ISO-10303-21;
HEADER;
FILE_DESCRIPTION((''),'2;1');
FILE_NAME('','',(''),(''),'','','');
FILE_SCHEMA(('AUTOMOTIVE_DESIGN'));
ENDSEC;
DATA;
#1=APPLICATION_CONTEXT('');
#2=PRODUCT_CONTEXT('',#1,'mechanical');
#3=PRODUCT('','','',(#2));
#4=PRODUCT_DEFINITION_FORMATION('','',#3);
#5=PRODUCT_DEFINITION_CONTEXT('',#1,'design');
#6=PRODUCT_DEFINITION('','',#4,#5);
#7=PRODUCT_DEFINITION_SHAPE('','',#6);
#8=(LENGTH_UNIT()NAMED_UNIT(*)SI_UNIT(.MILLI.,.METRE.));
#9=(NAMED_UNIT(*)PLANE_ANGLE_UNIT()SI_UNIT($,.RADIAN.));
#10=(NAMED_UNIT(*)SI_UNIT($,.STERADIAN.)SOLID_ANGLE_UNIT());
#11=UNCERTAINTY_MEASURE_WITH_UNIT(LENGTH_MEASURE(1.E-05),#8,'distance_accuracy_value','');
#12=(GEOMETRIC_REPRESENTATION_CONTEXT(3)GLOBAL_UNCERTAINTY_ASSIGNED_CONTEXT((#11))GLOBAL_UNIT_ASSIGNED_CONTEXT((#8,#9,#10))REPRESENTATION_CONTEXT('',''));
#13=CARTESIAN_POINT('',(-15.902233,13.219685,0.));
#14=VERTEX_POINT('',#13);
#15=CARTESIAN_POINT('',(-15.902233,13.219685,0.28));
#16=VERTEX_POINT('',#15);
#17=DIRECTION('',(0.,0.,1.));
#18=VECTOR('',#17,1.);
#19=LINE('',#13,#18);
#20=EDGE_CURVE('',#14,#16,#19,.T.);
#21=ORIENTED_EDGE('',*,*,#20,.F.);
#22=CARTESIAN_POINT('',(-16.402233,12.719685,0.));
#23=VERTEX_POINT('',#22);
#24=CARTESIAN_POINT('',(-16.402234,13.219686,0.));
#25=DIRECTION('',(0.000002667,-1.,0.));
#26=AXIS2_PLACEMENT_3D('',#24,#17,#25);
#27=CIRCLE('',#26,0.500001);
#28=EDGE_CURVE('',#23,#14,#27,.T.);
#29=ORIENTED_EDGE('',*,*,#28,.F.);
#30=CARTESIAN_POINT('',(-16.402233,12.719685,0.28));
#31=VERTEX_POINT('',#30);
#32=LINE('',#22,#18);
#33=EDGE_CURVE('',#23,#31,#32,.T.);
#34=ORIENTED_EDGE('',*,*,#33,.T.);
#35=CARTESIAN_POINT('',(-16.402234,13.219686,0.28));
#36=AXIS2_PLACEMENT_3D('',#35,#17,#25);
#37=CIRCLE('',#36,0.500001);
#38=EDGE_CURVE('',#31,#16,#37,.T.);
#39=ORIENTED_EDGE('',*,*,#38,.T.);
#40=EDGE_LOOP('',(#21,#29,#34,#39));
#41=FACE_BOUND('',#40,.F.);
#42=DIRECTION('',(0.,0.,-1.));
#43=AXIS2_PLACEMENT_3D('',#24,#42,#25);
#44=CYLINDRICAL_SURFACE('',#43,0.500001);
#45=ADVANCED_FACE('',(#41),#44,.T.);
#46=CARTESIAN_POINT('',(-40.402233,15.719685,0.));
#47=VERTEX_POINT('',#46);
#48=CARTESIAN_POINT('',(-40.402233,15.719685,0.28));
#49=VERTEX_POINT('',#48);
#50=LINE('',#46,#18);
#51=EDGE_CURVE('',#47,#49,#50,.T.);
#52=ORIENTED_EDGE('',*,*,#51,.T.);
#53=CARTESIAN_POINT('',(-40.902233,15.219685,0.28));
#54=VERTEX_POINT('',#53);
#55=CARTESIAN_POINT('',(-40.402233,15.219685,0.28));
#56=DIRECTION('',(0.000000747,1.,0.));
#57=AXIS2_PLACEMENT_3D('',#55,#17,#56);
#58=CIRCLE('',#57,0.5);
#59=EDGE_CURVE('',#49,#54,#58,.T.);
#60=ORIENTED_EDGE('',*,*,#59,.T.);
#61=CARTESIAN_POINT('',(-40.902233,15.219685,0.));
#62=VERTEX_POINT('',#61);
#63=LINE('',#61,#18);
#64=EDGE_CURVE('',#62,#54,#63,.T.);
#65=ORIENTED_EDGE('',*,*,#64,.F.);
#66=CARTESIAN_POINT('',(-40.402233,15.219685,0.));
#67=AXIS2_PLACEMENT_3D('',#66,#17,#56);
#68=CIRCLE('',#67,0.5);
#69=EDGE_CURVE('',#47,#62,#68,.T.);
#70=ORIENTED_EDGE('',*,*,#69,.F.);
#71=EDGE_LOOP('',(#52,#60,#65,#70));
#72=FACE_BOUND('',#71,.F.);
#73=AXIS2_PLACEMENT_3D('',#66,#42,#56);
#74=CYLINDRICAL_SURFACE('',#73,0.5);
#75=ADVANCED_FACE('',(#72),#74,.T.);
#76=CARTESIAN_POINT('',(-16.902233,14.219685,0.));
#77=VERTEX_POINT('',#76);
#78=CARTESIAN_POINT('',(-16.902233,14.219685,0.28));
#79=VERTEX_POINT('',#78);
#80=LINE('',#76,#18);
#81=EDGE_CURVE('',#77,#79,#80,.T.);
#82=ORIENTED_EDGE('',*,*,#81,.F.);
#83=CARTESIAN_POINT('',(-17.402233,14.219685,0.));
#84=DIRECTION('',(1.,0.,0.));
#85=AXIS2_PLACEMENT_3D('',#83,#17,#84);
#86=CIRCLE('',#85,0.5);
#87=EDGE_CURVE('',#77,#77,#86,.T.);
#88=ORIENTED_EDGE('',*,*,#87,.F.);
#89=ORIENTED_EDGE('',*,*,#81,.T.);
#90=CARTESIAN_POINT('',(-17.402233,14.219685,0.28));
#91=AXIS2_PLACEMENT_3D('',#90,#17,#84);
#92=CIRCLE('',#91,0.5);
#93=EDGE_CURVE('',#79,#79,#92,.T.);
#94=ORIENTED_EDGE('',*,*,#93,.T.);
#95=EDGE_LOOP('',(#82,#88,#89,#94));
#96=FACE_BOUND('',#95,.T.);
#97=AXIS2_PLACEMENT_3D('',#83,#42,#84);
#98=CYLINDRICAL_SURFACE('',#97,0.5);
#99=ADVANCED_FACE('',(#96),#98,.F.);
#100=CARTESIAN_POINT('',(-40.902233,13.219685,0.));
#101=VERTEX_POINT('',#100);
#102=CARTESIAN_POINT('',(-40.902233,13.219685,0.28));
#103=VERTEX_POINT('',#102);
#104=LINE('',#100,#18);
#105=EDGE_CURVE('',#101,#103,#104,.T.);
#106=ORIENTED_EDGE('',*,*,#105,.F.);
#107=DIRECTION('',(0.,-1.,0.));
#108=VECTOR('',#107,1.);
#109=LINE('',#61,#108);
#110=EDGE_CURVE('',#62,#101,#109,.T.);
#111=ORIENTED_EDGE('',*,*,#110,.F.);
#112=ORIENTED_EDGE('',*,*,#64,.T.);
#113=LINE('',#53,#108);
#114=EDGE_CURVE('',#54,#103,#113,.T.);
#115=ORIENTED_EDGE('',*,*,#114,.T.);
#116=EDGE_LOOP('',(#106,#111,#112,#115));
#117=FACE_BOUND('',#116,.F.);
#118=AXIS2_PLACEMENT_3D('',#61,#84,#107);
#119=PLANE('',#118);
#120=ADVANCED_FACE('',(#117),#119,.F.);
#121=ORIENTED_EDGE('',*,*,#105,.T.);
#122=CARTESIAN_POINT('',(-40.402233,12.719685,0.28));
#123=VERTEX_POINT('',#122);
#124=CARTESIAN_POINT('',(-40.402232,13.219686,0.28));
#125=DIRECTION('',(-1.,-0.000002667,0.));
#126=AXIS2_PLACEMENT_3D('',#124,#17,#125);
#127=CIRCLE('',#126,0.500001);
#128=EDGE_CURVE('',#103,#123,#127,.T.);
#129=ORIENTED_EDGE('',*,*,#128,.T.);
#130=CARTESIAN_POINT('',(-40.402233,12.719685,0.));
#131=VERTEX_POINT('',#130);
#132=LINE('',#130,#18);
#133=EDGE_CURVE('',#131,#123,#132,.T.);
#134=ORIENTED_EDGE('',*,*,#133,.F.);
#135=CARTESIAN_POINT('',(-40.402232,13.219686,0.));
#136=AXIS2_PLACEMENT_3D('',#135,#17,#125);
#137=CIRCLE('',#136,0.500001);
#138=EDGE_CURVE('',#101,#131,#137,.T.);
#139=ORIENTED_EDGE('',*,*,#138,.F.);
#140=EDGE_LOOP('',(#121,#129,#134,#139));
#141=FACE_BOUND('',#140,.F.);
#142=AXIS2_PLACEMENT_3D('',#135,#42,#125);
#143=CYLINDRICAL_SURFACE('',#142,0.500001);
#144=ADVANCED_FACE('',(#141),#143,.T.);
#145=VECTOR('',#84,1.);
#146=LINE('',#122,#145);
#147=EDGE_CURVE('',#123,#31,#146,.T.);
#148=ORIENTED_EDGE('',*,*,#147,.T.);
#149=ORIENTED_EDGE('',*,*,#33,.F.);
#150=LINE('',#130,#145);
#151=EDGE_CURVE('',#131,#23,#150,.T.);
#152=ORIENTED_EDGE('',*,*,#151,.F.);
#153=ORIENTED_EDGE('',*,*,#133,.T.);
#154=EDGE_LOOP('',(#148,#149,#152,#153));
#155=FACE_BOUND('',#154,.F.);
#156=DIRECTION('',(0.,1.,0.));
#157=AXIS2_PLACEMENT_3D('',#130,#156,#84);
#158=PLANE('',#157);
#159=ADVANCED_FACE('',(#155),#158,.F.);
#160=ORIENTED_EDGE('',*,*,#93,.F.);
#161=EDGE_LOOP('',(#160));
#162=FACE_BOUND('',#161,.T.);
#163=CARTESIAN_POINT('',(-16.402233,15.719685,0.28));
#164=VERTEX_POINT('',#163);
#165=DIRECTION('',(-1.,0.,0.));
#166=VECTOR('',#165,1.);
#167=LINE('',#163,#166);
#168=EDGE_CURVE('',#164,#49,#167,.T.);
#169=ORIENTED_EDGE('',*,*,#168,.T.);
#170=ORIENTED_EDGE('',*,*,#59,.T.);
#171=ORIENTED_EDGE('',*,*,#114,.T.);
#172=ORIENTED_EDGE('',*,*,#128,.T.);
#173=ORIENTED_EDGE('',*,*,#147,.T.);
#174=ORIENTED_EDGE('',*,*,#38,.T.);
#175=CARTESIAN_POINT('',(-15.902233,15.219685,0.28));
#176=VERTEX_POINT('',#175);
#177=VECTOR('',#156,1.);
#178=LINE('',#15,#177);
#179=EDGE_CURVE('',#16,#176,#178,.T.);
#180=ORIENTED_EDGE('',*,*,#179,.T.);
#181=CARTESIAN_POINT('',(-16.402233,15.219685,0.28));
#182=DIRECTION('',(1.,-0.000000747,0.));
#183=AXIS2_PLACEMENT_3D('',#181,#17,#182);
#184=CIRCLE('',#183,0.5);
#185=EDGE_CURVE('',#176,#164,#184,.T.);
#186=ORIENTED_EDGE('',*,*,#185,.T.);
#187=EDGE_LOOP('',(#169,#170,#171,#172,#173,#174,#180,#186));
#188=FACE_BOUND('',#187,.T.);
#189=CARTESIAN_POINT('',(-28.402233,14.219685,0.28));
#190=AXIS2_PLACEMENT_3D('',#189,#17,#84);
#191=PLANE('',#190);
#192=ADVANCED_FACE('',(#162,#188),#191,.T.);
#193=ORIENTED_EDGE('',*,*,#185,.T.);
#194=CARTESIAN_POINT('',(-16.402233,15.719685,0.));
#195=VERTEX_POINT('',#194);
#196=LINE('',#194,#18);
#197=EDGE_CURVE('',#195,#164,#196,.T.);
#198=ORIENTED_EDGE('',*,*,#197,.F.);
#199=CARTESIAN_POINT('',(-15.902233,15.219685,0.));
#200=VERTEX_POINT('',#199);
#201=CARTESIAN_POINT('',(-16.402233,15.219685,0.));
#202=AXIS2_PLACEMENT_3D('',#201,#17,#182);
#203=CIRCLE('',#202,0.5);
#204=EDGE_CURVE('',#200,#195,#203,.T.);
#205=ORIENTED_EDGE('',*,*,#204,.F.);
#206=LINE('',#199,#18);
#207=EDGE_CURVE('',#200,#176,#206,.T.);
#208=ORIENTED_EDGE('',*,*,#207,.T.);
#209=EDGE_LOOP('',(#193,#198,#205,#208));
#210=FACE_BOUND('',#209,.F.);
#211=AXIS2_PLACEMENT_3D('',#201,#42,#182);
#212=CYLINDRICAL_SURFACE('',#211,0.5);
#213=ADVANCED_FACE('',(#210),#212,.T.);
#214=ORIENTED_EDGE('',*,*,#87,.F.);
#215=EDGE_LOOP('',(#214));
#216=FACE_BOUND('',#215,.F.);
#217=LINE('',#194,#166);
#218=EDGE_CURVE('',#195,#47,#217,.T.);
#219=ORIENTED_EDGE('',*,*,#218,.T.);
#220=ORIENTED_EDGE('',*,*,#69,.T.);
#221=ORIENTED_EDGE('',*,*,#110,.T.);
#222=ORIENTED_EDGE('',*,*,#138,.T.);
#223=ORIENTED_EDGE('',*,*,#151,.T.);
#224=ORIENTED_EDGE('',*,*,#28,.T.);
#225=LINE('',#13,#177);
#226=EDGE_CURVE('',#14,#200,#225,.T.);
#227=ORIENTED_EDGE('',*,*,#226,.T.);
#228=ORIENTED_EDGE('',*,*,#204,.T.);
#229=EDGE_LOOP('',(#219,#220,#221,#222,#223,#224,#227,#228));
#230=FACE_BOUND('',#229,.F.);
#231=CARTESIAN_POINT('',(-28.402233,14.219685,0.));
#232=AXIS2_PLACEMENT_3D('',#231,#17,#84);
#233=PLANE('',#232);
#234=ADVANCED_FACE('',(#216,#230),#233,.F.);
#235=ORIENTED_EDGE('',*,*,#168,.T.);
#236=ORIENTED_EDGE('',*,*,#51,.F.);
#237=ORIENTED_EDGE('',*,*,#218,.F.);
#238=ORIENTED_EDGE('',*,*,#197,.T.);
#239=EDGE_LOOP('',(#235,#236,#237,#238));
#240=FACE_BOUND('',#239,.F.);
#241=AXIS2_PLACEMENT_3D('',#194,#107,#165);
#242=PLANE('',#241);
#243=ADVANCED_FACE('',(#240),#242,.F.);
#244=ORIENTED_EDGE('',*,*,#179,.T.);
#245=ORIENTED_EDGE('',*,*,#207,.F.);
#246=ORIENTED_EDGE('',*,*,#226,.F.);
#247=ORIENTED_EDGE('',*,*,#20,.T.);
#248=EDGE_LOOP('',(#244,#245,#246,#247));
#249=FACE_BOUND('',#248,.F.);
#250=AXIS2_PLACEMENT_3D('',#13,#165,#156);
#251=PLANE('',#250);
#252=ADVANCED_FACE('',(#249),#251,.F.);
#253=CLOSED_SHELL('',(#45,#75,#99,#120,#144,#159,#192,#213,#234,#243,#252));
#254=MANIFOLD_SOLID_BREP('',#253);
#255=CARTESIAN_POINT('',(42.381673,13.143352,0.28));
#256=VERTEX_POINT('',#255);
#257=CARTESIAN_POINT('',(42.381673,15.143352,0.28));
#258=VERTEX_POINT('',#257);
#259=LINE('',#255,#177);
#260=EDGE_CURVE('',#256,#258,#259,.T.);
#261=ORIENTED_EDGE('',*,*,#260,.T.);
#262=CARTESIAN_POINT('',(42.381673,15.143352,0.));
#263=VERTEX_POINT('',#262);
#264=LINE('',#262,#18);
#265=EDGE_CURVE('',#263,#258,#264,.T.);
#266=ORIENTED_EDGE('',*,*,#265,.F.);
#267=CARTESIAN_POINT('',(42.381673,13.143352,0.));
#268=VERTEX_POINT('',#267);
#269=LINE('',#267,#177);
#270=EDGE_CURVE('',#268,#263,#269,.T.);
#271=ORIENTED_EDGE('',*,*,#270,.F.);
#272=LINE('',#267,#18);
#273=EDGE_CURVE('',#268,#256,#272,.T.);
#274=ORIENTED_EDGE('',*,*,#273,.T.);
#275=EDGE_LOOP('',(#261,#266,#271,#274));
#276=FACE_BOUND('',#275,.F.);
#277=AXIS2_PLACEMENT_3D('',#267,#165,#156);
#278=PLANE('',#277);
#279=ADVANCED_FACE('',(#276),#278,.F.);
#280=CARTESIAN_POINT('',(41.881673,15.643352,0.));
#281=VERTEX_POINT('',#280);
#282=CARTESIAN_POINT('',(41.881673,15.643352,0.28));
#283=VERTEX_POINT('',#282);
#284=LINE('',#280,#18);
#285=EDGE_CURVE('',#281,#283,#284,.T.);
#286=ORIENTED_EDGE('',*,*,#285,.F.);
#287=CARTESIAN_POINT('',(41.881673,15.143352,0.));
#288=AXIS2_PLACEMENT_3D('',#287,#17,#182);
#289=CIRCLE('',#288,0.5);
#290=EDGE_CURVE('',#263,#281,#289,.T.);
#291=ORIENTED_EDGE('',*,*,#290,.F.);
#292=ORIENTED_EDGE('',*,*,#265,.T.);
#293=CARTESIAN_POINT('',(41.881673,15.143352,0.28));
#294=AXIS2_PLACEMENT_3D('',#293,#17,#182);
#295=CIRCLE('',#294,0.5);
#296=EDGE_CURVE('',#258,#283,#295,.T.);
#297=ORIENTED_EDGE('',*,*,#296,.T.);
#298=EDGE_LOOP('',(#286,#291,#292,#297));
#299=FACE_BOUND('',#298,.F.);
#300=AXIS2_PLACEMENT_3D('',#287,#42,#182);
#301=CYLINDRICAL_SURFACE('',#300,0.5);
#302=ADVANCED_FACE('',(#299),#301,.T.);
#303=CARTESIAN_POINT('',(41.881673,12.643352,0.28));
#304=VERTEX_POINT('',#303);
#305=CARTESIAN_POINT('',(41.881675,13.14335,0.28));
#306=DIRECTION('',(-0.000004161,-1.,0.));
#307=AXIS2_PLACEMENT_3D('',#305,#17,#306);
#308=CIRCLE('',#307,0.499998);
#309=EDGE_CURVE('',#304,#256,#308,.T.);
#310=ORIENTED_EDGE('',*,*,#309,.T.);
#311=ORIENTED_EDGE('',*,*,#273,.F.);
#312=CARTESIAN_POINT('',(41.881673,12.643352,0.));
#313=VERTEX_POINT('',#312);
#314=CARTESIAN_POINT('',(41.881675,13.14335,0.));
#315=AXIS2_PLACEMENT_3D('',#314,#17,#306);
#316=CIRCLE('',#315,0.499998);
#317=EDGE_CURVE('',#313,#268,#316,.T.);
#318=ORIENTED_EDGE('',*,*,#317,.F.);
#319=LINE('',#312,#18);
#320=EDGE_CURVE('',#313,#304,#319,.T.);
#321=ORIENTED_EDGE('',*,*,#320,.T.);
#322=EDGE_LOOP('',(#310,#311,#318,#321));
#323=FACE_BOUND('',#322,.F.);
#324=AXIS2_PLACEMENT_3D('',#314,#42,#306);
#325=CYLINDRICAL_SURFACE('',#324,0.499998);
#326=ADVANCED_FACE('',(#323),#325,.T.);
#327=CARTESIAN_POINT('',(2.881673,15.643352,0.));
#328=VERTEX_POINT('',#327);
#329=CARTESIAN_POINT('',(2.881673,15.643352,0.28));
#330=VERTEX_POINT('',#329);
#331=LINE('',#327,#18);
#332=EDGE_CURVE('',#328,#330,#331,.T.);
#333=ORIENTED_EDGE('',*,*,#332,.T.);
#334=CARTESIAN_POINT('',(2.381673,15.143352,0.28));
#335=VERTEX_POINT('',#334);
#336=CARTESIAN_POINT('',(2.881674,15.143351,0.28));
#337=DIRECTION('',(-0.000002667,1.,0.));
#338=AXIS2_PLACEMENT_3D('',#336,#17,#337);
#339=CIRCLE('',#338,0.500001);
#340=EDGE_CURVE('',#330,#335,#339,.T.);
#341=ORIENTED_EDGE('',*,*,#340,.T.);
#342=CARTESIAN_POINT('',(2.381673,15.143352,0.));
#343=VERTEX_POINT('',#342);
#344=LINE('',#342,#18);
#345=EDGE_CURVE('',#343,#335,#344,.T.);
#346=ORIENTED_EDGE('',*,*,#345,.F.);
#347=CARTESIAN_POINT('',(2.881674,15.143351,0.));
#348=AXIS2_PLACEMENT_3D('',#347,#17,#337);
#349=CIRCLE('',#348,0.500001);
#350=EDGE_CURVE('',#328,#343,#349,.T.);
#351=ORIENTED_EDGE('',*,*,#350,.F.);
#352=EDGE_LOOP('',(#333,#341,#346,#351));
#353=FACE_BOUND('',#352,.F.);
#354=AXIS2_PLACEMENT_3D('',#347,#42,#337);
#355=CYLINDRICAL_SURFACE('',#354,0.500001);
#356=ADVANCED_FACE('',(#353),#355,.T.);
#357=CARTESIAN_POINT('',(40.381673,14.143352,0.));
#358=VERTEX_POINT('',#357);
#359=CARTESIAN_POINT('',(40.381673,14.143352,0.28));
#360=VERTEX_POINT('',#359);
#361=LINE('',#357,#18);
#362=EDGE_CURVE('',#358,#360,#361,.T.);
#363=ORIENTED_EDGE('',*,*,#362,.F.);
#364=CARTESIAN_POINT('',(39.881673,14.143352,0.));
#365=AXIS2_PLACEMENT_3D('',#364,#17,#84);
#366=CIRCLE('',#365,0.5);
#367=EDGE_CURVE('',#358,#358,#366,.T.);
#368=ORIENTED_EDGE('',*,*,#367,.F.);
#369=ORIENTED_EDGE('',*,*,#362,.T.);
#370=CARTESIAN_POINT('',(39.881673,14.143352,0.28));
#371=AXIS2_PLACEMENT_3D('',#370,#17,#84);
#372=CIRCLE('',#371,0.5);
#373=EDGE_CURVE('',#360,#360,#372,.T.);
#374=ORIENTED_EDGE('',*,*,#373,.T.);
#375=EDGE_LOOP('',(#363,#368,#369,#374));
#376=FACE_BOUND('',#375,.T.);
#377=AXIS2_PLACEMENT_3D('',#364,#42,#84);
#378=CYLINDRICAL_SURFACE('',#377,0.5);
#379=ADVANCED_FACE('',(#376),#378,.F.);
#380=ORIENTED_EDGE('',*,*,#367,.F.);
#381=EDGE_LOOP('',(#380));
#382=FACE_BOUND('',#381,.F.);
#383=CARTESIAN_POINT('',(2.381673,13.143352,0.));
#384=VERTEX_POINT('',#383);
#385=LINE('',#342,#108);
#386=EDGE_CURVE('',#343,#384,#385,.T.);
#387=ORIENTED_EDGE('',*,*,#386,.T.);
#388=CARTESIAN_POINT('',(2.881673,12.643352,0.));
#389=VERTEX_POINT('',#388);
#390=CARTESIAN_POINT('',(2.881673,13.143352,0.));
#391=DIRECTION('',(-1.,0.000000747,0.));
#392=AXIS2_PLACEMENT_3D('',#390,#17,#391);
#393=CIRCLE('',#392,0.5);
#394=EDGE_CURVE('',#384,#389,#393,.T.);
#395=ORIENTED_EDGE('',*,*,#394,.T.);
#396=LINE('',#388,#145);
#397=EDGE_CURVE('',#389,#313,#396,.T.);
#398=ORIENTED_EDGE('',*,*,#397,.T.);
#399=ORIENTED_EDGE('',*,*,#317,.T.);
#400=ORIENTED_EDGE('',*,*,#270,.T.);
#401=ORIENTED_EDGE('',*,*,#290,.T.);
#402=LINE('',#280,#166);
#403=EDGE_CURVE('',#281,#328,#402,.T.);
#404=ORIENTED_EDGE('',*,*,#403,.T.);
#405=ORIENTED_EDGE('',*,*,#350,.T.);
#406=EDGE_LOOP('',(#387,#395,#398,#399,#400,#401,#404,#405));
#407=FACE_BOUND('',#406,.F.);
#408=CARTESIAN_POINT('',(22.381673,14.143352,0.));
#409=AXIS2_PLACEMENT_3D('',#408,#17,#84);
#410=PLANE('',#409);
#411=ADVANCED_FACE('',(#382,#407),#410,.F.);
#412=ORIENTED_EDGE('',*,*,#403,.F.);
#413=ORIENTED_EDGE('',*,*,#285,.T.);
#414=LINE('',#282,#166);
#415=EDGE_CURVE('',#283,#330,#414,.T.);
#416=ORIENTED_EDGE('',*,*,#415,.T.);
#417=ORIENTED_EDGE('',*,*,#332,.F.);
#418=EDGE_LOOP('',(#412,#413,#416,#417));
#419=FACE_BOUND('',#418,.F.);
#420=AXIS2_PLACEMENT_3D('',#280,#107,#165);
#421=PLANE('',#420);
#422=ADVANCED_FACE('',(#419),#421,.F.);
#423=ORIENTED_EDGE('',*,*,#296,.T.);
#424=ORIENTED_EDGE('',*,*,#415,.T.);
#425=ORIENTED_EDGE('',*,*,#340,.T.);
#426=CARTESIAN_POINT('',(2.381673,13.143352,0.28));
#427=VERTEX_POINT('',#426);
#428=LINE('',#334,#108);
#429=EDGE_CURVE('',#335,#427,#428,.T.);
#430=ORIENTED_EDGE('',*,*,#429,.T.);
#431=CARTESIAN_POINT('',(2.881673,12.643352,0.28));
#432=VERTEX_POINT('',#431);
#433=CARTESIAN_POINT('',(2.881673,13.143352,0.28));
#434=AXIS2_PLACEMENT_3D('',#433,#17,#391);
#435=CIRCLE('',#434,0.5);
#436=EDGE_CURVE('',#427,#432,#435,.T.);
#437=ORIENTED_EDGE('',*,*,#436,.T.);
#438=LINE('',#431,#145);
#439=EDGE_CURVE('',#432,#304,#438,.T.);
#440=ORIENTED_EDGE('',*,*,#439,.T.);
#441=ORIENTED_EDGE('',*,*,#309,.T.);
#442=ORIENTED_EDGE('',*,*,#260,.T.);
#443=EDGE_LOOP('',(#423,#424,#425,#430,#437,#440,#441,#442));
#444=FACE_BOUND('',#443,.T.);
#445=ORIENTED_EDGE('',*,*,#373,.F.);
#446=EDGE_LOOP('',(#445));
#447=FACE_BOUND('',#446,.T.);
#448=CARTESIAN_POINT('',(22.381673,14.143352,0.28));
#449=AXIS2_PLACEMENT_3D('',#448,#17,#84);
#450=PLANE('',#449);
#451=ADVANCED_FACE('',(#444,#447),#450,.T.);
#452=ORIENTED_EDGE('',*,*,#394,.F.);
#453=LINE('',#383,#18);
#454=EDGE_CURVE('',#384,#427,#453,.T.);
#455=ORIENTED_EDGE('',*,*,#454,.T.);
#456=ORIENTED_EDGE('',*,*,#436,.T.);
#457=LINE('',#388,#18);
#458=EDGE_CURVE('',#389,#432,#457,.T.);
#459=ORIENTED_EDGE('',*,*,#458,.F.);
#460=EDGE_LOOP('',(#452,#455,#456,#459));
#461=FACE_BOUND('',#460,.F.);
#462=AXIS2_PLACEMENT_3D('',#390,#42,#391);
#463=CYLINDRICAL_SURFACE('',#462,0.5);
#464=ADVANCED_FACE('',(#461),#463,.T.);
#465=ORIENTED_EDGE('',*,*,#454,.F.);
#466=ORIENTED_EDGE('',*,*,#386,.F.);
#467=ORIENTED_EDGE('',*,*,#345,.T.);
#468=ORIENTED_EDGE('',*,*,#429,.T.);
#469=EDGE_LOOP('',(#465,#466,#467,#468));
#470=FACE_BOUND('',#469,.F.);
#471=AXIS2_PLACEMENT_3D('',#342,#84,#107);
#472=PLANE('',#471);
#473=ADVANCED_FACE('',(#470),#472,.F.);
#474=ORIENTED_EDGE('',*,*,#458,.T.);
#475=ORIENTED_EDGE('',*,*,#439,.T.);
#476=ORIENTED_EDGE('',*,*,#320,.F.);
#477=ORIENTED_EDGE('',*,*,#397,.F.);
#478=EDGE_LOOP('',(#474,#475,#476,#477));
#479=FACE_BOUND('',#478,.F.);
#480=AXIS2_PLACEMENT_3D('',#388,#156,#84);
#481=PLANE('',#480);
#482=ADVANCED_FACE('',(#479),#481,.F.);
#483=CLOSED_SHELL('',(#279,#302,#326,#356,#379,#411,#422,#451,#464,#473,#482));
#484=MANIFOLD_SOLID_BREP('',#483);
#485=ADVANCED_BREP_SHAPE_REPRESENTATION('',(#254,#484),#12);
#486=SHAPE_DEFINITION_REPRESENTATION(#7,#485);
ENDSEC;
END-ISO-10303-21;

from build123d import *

# Parameters (mm, degrees)
F0_R     = 0.5
F1_DEPTH = 0.28
F2_R     = 0.5
F3_DEPTH = 0.28


with BuildPart() as f1:
    # F0 (on Top) → F1 (new body)
    with BuildSketch(Plane.XY):
        with BuildLine():
            ThreePointArc((2.381673, 13.143352), (2.52812, 12.789798), (2.881673, 12.643352))
            Line((2.881673, 12.643352), (41.881673, 12.643352))
            ThreePointArc((41.881673, 12.643352), (42.235227, 12.789798), (42.381673, 13.143352))
            Line((42.381673, 13.143352), (42.381673, 15.143352))
            ThreePointArc((42.381673, 15.143352), (42.235227, 15.496905), (41.881673, 15.643352))
            Line((41.881673, 15.643352), (2.881673, 15.643352))
            ThreePointArc((2.881673, 15.643352), (2.52812, 15.496905), (2.381673, 15.143352))
            Line((2.381673, 15.143352), (2.381673, 13.143352))
        make_face()
        with Locations((39.881673, 14.143352)):
            Circle(F0_R, mode=Mode.SUBTRACT)
    extrude(amount=F1_DEPTH)


with BuildPart() as f3:
    # F2 (on Top) → F3 (new body)
    with BuildSketch(Plane.XY):
        with BuildLine():
            ThreePointArc((-40.902233, 13.219685), (-40.755786, 12.866132), (-40.402233, 12.719685))
            Line((-40.402233, 12.719685), (-16.402233, 12.719685))
            ThreePointArc((-16.402233, 12.719685), (-16.04868, 12.866132), (-15.902233, 13.219685))
            Line((-15.902233, 13.219685), (-15.902233, 15.219685))
            ThreePointArc((-15.902233, 15.219685), (-16.04868, 15.573239), (-16.402233, 15.719685))
            Line((-16.402233, 15.719685), (-40.402233, 15.719685))
            ThreePointArc((-40.402233, 15.719685), (-40.755786, 15.573239), (-40.902233, 15.219685))
            Line((-40.902233, 15.219685), (-40.902233, 13.219685))
        make_face()
        with Locations((-17.402233, 14.219685)):
            Circle(F2_R, mode=Mode.SUBTRACT)
    extrude(amount=F3_DEPTH)


solid = Compound([f1.part, f3.part])
